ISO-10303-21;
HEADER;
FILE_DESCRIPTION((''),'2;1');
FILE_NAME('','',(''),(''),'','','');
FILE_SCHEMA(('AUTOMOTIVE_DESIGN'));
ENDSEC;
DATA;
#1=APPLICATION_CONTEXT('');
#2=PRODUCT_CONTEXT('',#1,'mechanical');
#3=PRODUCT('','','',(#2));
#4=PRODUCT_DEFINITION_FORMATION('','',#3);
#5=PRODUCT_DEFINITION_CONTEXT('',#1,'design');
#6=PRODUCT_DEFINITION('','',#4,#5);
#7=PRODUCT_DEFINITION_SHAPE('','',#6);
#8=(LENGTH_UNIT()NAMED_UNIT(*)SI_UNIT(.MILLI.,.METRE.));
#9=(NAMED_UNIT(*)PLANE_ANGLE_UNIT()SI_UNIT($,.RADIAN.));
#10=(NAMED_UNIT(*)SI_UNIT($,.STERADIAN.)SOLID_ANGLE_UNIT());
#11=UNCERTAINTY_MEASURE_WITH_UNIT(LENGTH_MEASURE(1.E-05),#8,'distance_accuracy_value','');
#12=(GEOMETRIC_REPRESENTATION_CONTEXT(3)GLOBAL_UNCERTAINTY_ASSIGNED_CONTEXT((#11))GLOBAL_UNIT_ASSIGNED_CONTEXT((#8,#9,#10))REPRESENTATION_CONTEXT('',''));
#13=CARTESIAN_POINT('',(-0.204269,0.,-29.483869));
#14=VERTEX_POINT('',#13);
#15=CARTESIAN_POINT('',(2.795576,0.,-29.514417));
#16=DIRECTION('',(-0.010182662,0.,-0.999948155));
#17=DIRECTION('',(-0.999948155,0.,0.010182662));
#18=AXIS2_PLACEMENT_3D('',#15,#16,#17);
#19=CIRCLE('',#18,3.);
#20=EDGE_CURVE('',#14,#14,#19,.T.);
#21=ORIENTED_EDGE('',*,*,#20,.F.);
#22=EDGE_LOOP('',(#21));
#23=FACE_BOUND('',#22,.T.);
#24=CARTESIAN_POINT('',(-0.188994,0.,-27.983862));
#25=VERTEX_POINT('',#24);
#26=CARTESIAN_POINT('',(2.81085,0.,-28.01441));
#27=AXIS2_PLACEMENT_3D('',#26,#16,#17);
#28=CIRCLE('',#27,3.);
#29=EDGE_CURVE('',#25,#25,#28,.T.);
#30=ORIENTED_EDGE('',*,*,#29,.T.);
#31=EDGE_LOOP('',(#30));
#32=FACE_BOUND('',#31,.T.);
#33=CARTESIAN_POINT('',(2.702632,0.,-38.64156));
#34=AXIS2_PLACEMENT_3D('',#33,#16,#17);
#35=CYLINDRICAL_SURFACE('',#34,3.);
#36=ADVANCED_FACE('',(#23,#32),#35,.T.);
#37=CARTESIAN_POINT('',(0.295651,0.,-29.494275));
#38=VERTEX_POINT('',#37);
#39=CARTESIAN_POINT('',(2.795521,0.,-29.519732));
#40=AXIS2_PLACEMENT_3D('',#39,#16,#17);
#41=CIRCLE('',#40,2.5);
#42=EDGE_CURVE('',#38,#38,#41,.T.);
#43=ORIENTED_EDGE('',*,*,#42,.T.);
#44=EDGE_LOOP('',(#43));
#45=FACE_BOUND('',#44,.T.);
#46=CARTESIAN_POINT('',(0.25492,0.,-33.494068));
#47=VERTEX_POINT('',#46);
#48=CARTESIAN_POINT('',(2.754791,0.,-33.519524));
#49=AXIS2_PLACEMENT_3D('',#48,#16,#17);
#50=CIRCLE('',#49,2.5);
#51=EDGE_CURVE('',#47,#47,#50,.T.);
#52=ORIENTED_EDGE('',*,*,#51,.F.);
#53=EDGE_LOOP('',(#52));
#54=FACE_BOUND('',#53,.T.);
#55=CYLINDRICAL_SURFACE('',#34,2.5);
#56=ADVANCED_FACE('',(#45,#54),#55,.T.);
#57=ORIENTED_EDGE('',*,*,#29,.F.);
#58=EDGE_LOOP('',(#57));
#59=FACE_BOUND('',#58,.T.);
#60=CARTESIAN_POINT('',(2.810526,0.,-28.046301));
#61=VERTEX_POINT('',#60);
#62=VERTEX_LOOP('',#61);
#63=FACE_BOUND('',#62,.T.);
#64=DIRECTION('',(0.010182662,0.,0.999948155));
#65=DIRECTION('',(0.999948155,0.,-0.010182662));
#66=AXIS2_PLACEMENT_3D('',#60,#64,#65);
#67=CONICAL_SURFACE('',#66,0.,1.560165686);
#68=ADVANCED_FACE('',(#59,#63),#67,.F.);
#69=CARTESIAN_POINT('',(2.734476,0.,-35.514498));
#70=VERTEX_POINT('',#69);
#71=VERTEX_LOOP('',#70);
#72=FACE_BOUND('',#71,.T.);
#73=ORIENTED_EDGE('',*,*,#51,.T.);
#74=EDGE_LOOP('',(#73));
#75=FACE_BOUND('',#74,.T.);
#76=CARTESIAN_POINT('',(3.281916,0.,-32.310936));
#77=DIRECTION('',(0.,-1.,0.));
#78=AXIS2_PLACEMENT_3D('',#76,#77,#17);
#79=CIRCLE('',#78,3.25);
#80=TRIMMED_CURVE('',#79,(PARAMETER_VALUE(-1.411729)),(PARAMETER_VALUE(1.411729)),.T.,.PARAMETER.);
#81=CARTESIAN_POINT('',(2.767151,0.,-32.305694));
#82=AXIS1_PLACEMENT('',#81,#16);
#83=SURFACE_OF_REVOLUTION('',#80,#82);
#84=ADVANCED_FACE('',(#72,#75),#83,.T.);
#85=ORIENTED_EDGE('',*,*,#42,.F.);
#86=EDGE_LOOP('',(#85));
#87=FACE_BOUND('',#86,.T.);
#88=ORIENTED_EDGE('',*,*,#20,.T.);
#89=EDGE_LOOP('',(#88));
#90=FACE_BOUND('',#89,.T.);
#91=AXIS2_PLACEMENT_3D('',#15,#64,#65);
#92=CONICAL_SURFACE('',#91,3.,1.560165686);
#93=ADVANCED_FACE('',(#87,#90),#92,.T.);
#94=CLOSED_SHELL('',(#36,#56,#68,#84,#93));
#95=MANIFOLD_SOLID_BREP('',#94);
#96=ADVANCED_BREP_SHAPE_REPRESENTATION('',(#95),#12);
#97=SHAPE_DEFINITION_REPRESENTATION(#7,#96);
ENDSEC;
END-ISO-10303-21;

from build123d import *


with BuildPart() as part:
    # Sketch3 → Revolve1 (revolve)
    with BuildSketch(Plane(origin=(0, 0, 0), x_dir=(1, 0, 0), z_dir=(0, 1, 0)), mode=Mode.PRIVATE) as revolve1_sk:
        with BuildLine():
            Line((2.810525664, 28.046301015), (5.810694887, 28.04495753))
            Line((5.810694887, 28.04495753), (5.79542003, 29.54496452))
            Line((5.79542003, 29.54496452), (5.295391827, 29.545188435))
            Line((5.295391827, 29.545188435), (5.254661178, 33.544981056))
            ThreePointArc((5.254661178, 33.544981056), (4.253623004, 34.861224767), (2.734475594, 35.514498125))
            Line((2.734475594, 35.514498125), (2.810525664, 28.046301015))
        make_face()
    revolve(revolve1_sk.sketch.rotate(Axis((2.702632129, 0, -38.641559941), (0.010182662021554233, 0, 0.9999481553531437)), 180), axis=Axis((2.702632129, 0, -38.641559941), (0.010182662021554233, 0, 0.9999481553531437)))


solid = part.part
